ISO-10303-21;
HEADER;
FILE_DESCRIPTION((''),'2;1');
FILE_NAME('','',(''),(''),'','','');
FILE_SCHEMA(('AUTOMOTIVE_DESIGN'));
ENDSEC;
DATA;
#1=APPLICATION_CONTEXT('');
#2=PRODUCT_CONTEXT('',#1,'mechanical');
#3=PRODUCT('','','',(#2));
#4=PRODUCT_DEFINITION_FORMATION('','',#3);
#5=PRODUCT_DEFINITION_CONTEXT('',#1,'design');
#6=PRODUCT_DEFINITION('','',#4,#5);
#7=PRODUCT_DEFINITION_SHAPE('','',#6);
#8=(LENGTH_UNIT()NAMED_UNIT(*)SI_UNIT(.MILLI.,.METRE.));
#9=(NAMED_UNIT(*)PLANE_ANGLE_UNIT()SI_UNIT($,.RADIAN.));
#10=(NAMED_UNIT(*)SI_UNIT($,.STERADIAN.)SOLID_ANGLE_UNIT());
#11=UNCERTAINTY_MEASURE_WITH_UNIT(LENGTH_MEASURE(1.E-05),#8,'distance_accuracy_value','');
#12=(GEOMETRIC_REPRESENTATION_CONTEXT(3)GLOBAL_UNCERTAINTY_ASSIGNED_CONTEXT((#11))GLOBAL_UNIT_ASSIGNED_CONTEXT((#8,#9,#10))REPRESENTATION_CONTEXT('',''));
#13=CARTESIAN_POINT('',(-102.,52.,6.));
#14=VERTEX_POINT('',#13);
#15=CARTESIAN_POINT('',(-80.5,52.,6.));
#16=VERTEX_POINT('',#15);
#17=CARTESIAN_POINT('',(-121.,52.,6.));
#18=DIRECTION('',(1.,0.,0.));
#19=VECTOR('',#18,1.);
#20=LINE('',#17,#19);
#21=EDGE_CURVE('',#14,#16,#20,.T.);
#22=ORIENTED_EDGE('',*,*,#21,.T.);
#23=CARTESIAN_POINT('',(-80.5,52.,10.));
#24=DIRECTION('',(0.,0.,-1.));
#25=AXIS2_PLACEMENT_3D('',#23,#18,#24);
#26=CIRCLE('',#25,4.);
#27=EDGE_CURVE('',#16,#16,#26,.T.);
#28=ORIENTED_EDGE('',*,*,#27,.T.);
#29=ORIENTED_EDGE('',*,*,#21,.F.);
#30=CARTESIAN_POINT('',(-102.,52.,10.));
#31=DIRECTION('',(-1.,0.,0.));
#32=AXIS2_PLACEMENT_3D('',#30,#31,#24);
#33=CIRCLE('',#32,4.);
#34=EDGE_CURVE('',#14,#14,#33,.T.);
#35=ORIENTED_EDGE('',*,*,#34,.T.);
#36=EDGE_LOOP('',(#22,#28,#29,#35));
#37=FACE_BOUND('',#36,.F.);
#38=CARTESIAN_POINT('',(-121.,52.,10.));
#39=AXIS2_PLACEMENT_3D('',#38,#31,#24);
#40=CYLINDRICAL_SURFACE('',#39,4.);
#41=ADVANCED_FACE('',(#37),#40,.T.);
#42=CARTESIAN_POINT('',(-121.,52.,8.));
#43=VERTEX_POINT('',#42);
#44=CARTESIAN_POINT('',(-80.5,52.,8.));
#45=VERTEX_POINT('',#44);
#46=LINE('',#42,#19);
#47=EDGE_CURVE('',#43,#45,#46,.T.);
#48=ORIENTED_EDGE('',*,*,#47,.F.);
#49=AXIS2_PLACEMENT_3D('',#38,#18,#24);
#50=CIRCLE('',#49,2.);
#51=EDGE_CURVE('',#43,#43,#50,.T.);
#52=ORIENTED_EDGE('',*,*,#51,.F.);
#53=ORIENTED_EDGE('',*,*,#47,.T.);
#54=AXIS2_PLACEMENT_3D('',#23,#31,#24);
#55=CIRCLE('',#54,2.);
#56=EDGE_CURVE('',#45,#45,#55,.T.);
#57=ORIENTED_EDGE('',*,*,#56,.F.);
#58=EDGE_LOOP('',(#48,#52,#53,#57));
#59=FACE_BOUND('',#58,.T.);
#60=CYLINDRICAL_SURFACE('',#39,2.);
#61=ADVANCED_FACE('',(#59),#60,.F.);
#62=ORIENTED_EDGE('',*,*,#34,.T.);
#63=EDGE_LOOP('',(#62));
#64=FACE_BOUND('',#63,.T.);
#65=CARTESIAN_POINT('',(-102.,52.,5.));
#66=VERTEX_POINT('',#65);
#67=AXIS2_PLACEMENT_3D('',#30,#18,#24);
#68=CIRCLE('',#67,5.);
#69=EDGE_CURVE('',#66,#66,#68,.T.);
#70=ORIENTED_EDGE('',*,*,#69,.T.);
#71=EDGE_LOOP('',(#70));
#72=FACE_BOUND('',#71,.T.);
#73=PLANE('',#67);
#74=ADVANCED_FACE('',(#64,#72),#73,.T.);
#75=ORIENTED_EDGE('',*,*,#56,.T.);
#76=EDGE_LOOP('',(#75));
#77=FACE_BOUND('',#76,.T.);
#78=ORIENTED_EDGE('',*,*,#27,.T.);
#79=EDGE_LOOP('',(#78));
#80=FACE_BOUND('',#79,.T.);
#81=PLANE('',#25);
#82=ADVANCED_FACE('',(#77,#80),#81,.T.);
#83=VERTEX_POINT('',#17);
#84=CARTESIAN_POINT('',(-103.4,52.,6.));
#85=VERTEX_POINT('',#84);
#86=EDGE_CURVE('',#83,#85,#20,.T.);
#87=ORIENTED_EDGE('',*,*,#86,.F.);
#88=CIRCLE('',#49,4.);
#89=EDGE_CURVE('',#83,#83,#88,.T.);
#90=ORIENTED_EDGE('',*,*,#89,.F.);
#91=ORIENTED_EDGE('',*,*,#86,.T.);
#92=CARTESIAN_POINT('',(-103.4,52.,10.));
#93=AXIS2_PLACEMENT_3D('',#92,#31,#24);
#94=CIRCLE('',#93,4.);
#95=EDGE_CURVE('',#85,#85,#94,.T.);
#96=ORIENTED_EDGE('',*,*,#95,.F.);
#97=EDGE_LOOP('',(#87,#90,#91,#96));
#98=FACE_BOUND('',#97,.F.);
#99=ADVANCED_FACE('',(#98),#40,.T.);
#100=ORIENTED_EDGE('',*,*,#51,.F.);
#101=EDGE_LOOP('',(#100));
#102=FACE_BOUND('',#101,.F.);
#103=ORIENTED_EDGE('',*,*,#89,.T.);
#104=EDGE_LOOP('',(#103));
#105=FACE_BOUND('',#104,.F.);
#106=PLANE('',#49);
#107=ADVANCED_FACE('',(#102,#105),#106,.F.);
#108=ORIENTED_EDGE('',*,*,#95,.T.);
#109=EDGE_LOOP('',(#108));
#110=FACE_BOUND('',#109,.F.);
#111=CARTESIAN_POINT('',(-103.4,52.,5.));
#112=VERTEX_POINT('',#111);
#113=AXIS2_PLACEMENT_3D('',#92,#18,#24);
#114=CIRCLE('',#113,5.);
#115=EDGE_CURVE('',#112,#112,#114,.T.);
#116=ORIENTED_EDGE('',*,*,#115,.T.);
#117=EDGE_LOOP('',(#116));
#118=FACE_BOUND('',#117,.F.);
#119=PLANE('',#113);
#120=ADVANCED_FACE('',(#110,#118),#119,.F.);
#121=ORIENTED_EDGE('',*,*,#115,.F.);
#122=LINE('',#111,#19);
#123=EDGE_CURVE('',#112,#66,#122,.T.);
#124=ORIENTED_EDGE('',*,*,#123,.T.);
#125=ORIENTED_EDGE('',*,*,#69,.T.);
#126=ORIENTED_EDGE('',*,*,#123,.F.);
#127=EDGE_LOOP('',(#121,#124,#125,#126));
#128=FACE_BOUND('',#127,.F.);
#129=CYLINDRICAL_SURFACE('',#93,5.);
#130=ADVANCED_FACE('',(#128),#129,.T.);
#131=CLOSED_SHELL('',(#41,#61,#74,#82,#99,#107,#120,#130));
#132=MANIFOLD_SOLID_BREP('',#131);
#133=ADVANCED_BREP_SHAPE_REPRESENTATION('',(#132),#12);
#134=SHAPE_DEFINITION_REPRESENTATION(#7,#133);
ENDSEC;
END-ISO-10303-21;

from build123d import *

# Parameters (mm, degrees)
CYLINDER138_R     = 2
CYLINDER138_DEPTH = 47.8
CYLINDER091_R     = 5
CYLINDER091_DEPTH = 1.4
CYLINDER072_R     = 4
CYLINDER072_DEPTH = 40.5


with BuildPart() as cylinder138:
    # Cylinder138 → Cylinder138 (new body)
    with BuildSketch(Plane(origin=(-125, 62, 10), x_dir=(0, 0, -1), z_dir=(1, 0, 0))):
        Circle(CYLINDER138_R)
    extrude(amount=CYLINDER138_DEPTH)


with BuildPart() as cylinder091:
    # Cylinder091 → Cylinder091 (new body)
    with BuildSketch(Plane(origin=(-107.4, 62, 10), x_dir=(0, 0, -1), z_dir=(1, 0, 0))):
        Circle(CYLINDER091_R)
    extrude(amount=CYLINDER091_DEPTH)


with BuildPart() as cut095:
    # Cylinder072 → Cylinder072 (new body)
    with BuildSketch(Plane(origin=(-125, 62, 10), x_dir=(0, 0, -1), z_dir=(1, 0, 0))):
        Circle(CYLINDER072_R)
    extrude(amount=CYLINDER072_DEPTH)

    # Fusion142: union Cylinder091
    add(cylinder091.part)

    # Cut095: cut Cylinder138
    add(cylinder138.part, mode=Mode.SUBTRACT)


with BuildPart() as cut095_1:
    # Cut095 placement: moved
    add(cut095.part.moved(Location((4, -10, 0))))


solid = cut095_1.part
